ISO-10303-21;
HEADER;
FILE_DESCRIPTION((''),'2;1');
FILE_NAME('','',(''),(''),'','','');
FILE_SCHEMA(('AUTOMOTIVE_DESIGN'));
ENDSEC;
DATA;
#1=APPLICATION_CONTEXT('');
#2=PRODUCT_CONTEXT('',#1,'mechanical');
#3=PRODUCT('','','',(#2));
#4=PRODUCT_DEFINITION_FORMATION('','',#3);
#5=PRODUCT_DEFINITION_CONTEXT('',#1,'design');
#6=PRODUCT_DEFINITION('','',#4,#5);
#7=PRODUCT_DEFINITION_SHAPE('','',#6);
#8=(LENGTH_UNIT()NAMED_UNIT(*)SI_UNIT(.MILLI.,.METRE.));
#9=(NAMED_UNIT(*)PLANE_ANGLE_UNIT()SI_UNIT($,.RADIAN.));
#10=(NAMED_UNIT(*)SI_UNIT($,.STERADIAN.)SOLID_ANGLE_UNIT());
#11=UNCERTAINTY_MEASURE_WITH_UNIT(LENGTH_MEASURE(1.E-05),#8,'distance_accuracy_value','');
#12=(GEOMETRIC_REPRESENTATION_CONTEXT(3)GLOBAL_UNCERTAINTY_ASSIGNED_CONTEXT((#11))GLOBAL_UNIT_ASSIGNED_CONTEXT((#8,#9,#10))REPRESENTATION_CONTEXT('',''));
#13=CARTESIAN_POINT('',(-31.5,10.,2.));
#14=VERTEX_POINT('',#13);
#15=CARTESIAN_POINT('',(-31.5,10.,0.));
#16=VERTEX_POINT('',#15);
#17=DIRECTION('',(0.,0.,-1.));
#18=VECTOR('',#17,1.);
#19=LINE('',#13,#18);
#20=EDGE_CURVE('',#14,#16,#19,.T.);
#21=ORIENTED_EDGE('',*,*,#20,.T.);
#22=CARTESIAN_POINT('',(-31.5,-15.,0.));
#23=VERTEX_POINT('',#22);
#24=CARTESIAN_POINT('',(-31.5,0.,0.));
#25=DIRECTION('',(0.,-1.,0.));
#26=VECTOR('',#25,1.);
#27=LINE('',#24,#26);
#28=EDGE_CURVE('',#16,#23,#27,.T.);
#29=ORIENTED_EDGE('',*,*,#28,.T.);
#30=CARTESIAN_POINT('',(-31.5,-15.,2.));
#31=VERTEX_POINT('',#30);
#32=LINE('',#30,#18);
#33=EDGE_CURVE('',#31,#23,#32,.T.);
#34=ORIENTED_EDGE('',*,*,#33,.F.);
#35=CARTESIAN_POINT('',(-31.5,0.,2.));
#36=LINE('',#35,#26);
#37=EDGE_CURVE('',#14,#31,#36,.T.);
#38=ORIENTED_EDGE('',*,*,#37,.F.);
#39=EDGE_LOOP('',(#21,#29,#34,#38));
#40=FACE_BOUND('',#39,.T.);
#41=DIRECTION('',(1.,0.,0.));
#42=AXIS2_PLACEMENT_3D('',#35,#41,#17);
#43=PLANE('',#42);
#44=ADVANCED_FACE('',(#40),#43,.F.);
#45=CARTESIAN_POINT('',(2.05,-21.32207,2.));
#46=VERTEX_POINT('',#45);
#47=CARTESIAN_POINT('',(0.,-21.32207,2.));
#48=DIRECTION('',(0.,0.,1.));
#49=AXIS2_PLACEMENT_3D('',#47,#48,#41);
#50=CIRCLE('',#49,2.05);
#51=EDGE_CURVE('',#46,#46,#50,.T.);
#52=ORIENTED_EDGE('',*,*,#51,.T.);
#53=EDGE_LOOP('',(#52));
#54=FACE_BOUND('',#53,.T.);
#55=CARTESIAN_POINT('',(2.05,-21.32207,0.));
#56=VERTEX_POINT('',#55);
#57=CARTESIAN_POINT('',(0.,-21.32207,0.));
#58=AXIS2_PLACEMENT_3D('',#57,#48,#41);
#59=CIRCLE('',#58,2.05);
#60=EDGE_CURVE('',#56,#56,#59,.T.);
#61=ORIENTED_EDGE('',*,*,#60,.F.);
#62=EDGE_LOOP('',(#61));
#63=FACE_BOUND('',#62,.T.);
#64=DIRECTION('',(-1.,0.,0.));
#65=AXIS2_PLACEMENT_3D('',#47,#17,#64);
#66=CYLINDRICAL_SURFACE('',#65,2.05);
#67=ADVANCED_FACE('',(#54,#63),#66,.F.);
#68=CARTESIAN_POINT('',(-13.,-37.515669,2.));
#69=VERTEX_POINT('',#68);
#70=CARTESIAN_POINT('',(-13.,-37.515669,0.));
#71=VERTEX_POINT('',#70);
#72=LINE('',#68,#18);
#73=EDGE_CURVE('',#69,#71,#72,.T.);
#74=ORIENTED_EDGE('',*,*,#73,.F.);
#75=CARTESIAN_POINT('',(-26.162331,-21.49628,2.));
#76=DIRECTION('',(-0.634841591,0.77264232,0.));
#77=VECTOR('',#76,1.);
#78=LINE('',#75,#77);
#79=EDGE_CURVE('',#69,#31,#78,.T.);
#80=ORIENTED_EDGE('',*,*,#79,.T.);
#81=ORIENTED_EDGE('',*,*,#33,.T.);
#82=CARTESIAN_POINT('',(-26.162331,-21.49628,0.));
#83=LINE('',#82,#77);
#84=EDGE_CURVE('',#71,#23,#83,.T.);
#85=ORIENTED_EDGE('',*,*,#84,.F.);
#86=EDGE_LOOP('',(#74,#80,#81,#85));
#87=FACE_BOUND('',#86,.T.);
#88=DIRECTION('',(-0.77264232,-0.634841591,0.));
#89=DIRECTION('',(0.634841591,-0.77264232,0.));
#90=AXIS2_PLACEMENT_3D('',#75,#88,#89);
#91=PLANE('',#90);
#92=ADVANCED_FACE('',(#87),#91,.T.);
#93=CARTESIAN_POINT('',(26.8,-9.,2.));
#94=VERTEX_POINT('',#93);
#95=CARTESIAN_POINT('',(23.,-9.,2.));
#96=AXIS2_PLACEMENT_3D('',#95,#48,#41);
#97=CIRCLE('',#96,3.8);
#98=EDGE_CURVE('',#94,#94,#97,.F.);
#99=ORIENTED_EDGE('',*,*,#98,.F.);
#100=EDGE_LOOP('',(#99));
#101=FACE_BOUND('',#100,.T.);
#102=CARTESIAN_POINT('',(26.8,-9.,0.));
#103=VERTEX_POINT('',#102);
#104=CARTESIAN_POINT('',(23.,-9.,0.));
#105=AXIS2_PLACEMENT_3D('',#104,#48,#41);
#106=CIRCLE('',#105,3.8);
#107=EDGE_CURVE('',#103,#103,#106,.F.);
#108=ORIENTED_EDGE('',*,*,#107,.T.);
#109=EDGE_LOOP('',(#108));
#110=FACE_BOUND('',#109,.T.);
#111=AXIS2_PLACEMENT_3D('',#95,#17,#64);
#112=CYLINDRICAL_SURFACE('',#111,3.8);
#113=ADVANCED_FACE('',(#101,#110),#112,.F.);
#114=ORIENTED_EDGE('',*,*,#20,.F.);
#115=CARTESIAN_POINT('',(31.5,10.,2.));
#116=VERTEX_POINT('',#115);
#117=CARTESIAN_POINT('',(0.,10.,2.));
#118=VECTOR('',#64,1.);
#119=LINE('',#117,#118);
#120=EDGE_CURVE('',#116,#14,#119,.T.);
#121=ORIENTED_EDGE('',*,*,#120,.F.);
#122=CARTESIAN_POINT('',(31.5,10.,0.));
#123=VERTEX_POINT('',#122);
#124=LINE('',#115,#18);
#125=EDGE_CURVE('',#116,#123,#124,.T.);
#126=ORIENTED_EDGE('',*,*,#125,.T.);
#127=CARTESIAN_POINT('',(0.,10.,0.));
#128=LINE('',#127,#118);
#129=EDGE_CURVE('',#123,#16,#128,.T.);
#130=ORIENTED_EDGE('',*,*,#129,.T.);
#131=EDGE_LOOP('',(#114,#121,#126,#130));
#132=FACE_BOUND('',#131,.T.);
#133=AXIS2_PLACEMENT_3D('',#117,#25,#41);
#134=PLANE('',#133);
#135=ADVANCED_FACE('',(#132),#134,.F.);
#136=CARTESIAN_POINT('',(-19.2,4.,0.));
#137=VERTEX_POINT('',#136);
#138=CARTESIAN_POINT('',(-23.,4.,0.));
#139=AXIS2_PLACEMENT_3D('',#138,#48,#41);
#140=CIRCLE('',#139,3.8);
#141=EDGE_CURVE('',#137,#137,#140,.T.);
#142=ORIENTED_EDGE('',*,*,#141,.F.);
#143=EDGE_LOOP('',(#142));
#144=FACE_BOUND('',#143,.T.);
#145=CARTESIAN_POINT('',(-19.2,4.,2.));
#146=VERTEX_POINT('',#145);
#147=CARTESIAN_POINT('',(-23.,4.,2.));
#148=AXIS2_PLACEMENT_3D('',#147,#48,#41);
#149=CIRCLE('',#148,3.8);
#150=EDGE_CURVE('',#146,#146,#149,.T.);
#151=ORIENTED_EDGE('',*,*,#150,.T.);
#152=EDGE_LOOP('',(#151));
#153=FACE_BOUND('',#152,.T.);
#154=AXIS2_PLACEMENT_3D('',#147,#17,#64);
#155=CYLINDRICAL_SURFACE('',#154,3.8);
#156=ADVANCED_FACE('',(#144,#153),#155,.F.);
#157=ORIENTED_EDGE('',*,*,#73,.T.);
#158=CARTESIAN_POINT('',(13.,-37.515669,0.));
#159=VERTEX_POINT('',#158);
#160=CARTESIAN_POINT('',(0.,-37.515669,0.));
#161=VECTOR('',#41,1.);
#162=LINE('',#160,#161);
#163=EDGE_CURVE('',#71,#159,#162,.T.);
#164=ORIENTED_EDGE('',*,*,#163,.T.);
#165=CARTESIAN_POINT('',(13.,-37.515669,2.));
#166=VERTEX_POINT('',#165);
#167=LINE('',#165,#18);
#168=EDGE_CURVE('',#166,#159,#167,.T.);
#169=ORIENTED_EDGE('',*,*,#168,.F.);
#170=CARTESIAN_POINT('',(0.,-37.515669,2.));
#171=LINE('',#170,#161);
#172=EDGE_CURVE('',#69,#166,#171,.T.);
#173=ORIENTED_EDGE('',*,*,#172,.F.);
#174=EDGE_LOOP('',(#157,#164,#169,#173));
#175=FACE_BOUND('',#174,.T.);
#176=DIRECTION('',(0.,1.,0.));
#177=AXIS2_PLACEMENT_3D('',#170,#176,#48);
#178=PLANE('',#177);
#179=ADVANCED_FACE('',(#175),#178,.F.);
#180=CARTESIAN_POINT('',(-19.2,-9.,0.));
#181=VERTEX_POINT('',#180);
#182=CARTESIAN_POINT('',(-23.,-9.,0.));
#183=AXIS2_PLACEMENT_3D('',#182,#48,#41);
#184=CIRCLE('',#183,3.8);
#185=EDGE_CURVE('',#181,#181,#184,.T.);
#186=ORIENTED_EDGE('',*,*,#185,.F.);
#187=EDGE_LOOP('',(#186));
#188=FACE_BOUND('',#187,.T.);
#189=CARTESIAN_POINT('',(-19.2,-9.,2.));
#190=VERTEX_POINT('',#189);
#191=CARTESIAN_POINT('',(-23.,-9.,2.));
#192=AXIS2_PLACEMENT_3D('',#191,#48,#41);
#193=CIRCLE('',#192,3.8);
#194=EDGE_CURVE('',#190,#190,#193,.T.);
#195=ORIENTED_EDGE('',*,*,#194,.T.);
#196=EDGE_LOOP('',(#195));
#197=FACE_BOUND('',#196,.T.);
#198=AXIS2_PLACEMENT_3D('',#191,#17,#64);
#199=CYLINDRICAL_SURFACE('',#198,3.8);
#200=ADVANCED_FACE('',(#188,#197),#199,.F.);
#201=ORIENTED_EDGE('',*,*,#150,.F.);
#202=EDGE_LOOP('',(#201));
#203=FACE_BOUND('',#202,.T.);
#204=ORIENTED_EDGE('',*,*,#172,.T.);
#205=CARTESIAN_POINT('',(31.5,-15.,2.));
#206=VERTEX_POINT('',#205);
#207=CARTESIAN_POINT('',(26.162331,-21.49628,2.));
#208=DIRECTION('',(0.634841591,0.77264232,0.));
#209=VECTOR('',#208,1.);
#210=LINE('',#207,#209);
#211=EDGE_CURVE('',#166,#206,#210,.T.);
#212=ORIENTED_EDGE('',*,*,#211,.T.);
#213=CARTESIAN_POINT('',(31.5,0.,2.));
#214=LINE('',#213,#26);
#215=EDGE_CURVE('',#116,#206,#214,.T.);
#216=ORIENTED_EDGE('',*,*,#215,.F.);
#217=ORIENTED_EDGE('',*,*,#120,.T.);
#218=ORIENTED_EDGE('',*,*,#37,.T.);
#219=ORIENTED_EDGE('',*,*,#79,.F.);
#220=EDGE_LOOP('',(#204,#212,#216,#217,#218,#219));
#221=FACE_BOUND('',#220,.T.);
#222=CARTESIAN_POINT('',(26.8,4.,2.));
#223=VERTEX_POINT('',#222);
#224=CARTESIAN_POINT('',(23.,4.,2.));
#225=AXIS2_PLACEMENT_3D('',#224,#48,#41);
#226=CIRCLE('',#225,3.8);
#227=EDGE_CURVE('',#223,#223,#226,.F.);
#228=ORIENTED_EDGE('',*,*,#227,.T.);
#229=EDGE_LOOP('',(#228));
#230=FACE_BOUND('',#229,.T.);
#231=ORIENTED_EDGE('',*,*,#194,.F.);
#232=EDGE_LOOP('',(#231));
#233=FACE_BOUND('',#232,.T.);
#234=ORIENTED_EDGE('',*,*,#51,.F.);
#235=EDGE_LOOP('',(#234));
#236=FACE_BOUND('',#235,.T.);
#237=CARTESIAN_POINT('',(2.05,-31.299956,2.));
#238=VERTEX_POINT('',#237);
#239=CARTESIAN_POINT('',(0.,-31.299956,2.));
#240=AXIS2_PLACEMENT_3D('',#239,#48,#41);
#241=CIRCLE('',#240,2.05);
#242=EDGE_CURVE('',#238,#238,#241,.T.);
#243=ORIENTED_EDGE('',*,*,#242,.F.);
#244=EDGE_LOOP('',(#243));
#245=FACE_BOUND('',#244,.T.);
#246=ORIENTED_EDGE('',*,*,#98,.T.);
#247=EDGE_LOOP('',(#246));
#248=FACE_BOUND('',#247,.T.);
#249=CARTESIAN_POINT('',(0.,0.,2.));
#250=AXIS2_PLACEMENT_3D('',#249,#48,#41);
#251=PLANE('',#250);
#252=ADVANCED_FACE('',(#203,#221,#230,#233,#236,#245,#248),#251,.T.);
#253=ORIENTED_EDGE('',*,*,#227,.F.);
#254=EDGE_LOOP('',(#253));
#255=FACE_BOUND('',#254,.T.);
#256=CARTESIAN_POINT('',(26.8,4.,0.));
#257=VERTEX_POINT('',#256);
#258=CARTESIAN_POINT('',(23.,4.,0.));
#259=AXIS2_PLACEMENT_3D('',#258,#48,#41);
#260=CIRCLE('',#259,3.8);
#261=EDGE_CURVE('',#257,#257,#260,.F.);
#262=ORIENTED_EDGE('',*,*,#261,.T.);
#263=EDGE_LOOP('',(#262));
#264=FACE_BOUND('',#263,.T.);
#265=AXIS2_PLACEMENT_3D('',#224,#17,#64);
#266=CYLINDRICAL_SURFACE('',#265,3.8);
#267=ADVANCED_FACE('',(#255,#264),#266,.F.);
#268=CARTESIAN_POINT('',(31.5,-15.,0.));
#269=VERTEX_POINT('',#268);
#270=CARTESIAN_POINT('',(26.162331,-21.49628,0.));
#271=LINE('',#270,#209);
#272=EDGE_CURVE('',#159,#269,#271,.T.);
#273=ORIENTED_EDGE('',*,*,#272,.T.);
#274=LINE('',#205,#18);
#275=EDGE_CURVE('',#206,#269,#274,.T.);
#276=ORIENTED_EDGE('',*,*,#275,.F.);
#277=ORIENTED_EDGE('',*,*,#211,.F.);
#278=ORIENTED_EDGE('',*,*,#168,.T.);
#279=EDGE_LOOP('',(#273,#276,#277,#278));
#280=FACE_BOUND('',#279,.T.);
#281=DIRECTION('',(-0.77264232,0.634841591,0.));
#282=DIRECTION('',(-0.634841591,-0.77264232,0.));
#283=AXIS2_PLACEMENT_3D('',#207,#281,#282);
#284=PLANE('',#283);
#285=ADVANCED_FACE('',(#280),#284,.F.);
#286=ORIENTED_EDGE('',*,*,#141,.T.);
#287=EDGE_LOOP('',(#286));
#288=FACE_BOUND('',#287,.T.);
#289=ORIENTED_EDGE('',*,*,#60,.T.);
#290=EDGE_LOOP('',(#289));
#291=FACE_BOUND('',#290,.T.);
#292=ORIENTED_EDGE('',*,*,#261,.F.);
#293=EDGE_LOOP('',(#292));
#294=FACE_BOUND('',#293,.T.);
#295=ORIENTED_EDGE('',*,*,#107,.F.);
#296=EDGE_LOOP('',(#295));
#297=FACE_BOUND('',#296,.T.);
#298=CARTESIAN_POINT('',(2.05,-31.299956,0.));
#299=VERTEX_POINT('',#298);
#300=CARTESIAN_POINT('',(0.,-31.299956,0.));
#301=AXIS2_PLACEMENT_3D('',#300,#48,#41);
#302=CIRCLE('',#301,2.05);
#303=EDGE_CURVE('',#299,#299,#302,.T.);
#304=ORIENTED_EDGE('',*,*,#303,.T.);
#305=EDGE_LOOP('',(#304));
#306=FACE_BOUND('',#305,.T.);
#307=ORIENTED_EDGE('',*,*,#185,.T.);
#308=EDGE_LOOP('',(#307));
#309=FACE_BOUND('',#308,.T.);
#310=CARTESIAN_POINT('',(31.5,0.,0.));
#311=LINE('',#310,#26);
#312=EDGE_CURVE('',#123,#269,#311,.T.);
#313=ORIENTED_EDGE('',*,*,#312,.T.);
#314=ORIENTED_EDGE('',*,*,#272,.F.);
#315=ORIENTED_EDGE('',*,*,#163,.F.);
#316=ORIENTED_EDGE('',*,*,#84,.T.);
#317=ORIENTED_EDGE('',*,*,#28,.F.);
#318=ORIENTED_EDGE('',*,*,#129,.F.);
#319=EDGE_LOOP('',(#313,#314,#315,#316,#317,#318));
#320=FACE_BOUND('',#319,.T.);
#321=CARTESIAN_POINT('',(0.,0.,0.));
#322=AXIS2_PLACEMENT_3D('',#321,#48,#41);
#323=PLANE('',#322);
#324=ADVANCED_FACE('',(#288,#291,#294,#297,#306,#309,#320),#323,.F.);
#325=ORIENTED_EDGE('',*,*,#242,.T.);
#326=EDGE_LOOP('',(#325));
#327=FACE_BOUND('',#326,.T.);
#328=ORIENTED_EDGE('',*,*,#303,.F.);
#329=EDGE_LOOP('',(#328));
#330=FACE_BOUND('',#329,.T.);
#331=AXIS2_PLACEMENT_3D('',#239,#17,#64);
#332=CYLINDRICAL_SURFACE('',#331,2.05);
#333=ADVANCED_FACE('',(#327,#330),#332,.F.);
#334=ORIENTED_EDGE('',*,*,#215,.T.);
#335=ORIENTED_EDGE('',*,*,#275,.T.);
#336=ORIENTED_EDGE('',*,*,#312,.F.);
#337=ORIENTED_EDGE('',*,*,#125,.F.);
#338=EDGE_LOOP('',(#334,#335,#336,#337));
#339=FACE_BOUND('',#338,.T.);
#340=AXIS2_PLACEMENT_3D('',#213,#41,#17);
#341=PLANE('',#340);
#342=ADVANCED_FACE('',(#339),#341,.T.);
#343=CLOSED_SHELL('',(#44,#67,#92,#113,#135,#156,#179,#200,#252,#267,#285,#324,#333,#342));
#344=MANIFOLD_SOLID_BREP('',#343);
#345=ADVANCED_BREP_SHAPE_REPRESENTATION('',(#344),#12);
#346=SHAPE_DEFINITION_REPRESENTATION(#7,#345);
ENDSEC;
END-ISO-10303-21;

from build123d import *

# Parameters (mm, degrees)
SKETCH1_W           = 63
SKETCH1_H           = 25
SKETCH1_R           = 3.8
BOSS_EXTRUDE1_DEPTH = 2
SKETCH1_3_R         = 2.05
BOSS_EXTRUDE2_DEPTH = 2


with BuildPart() as part:
    # Sketch1 → Boss-Extrude1 (new body)
    with BuildSketch(Plane.XY):
        with Locations((0, -2.5)):
            Rectangle(SKETCH1_W, SKETCH1_H)
        with Locations((-23, -9)):
            Circle(SKETCH1_R, mode=Mode.SUBTRACT)
        with Locations((-23, 4)):
            Circle(SKETCH1_R, mode=Mode.SUBTRACT)
        with Locations((23, -9)):
            Circle(SKETCH1_R, mode=Mode.SUBTRACT)
        with Locations((23, 4)):
            Circle(SKETCH1_R, mode=Mode.SUBTRACT)
    extrude(amount=BOSS_EXTRUDE1_DEPTH)

    # Sketch1<3> → Boss-Extrude2 (add)
    with BuildSketch(Plane.XY):
        Polygon((13, -37.51566868), (31.5, -15), (-31.5, -15), (-13, -37.51566868), (0, -37.51566868), align=None)
        with Locations((0, -31.299955557)):
            Circle(SKETCH1_3_R, mode=Mode.SUBTRACT)
        with Locations((0, -21.322069584)):
            Circle(SKETCH1_3_R, mode=Mode.SUBTRACT)
    extrude(amount=BOSS_EXTRUDE2_DEPTH)


solid = part.part
